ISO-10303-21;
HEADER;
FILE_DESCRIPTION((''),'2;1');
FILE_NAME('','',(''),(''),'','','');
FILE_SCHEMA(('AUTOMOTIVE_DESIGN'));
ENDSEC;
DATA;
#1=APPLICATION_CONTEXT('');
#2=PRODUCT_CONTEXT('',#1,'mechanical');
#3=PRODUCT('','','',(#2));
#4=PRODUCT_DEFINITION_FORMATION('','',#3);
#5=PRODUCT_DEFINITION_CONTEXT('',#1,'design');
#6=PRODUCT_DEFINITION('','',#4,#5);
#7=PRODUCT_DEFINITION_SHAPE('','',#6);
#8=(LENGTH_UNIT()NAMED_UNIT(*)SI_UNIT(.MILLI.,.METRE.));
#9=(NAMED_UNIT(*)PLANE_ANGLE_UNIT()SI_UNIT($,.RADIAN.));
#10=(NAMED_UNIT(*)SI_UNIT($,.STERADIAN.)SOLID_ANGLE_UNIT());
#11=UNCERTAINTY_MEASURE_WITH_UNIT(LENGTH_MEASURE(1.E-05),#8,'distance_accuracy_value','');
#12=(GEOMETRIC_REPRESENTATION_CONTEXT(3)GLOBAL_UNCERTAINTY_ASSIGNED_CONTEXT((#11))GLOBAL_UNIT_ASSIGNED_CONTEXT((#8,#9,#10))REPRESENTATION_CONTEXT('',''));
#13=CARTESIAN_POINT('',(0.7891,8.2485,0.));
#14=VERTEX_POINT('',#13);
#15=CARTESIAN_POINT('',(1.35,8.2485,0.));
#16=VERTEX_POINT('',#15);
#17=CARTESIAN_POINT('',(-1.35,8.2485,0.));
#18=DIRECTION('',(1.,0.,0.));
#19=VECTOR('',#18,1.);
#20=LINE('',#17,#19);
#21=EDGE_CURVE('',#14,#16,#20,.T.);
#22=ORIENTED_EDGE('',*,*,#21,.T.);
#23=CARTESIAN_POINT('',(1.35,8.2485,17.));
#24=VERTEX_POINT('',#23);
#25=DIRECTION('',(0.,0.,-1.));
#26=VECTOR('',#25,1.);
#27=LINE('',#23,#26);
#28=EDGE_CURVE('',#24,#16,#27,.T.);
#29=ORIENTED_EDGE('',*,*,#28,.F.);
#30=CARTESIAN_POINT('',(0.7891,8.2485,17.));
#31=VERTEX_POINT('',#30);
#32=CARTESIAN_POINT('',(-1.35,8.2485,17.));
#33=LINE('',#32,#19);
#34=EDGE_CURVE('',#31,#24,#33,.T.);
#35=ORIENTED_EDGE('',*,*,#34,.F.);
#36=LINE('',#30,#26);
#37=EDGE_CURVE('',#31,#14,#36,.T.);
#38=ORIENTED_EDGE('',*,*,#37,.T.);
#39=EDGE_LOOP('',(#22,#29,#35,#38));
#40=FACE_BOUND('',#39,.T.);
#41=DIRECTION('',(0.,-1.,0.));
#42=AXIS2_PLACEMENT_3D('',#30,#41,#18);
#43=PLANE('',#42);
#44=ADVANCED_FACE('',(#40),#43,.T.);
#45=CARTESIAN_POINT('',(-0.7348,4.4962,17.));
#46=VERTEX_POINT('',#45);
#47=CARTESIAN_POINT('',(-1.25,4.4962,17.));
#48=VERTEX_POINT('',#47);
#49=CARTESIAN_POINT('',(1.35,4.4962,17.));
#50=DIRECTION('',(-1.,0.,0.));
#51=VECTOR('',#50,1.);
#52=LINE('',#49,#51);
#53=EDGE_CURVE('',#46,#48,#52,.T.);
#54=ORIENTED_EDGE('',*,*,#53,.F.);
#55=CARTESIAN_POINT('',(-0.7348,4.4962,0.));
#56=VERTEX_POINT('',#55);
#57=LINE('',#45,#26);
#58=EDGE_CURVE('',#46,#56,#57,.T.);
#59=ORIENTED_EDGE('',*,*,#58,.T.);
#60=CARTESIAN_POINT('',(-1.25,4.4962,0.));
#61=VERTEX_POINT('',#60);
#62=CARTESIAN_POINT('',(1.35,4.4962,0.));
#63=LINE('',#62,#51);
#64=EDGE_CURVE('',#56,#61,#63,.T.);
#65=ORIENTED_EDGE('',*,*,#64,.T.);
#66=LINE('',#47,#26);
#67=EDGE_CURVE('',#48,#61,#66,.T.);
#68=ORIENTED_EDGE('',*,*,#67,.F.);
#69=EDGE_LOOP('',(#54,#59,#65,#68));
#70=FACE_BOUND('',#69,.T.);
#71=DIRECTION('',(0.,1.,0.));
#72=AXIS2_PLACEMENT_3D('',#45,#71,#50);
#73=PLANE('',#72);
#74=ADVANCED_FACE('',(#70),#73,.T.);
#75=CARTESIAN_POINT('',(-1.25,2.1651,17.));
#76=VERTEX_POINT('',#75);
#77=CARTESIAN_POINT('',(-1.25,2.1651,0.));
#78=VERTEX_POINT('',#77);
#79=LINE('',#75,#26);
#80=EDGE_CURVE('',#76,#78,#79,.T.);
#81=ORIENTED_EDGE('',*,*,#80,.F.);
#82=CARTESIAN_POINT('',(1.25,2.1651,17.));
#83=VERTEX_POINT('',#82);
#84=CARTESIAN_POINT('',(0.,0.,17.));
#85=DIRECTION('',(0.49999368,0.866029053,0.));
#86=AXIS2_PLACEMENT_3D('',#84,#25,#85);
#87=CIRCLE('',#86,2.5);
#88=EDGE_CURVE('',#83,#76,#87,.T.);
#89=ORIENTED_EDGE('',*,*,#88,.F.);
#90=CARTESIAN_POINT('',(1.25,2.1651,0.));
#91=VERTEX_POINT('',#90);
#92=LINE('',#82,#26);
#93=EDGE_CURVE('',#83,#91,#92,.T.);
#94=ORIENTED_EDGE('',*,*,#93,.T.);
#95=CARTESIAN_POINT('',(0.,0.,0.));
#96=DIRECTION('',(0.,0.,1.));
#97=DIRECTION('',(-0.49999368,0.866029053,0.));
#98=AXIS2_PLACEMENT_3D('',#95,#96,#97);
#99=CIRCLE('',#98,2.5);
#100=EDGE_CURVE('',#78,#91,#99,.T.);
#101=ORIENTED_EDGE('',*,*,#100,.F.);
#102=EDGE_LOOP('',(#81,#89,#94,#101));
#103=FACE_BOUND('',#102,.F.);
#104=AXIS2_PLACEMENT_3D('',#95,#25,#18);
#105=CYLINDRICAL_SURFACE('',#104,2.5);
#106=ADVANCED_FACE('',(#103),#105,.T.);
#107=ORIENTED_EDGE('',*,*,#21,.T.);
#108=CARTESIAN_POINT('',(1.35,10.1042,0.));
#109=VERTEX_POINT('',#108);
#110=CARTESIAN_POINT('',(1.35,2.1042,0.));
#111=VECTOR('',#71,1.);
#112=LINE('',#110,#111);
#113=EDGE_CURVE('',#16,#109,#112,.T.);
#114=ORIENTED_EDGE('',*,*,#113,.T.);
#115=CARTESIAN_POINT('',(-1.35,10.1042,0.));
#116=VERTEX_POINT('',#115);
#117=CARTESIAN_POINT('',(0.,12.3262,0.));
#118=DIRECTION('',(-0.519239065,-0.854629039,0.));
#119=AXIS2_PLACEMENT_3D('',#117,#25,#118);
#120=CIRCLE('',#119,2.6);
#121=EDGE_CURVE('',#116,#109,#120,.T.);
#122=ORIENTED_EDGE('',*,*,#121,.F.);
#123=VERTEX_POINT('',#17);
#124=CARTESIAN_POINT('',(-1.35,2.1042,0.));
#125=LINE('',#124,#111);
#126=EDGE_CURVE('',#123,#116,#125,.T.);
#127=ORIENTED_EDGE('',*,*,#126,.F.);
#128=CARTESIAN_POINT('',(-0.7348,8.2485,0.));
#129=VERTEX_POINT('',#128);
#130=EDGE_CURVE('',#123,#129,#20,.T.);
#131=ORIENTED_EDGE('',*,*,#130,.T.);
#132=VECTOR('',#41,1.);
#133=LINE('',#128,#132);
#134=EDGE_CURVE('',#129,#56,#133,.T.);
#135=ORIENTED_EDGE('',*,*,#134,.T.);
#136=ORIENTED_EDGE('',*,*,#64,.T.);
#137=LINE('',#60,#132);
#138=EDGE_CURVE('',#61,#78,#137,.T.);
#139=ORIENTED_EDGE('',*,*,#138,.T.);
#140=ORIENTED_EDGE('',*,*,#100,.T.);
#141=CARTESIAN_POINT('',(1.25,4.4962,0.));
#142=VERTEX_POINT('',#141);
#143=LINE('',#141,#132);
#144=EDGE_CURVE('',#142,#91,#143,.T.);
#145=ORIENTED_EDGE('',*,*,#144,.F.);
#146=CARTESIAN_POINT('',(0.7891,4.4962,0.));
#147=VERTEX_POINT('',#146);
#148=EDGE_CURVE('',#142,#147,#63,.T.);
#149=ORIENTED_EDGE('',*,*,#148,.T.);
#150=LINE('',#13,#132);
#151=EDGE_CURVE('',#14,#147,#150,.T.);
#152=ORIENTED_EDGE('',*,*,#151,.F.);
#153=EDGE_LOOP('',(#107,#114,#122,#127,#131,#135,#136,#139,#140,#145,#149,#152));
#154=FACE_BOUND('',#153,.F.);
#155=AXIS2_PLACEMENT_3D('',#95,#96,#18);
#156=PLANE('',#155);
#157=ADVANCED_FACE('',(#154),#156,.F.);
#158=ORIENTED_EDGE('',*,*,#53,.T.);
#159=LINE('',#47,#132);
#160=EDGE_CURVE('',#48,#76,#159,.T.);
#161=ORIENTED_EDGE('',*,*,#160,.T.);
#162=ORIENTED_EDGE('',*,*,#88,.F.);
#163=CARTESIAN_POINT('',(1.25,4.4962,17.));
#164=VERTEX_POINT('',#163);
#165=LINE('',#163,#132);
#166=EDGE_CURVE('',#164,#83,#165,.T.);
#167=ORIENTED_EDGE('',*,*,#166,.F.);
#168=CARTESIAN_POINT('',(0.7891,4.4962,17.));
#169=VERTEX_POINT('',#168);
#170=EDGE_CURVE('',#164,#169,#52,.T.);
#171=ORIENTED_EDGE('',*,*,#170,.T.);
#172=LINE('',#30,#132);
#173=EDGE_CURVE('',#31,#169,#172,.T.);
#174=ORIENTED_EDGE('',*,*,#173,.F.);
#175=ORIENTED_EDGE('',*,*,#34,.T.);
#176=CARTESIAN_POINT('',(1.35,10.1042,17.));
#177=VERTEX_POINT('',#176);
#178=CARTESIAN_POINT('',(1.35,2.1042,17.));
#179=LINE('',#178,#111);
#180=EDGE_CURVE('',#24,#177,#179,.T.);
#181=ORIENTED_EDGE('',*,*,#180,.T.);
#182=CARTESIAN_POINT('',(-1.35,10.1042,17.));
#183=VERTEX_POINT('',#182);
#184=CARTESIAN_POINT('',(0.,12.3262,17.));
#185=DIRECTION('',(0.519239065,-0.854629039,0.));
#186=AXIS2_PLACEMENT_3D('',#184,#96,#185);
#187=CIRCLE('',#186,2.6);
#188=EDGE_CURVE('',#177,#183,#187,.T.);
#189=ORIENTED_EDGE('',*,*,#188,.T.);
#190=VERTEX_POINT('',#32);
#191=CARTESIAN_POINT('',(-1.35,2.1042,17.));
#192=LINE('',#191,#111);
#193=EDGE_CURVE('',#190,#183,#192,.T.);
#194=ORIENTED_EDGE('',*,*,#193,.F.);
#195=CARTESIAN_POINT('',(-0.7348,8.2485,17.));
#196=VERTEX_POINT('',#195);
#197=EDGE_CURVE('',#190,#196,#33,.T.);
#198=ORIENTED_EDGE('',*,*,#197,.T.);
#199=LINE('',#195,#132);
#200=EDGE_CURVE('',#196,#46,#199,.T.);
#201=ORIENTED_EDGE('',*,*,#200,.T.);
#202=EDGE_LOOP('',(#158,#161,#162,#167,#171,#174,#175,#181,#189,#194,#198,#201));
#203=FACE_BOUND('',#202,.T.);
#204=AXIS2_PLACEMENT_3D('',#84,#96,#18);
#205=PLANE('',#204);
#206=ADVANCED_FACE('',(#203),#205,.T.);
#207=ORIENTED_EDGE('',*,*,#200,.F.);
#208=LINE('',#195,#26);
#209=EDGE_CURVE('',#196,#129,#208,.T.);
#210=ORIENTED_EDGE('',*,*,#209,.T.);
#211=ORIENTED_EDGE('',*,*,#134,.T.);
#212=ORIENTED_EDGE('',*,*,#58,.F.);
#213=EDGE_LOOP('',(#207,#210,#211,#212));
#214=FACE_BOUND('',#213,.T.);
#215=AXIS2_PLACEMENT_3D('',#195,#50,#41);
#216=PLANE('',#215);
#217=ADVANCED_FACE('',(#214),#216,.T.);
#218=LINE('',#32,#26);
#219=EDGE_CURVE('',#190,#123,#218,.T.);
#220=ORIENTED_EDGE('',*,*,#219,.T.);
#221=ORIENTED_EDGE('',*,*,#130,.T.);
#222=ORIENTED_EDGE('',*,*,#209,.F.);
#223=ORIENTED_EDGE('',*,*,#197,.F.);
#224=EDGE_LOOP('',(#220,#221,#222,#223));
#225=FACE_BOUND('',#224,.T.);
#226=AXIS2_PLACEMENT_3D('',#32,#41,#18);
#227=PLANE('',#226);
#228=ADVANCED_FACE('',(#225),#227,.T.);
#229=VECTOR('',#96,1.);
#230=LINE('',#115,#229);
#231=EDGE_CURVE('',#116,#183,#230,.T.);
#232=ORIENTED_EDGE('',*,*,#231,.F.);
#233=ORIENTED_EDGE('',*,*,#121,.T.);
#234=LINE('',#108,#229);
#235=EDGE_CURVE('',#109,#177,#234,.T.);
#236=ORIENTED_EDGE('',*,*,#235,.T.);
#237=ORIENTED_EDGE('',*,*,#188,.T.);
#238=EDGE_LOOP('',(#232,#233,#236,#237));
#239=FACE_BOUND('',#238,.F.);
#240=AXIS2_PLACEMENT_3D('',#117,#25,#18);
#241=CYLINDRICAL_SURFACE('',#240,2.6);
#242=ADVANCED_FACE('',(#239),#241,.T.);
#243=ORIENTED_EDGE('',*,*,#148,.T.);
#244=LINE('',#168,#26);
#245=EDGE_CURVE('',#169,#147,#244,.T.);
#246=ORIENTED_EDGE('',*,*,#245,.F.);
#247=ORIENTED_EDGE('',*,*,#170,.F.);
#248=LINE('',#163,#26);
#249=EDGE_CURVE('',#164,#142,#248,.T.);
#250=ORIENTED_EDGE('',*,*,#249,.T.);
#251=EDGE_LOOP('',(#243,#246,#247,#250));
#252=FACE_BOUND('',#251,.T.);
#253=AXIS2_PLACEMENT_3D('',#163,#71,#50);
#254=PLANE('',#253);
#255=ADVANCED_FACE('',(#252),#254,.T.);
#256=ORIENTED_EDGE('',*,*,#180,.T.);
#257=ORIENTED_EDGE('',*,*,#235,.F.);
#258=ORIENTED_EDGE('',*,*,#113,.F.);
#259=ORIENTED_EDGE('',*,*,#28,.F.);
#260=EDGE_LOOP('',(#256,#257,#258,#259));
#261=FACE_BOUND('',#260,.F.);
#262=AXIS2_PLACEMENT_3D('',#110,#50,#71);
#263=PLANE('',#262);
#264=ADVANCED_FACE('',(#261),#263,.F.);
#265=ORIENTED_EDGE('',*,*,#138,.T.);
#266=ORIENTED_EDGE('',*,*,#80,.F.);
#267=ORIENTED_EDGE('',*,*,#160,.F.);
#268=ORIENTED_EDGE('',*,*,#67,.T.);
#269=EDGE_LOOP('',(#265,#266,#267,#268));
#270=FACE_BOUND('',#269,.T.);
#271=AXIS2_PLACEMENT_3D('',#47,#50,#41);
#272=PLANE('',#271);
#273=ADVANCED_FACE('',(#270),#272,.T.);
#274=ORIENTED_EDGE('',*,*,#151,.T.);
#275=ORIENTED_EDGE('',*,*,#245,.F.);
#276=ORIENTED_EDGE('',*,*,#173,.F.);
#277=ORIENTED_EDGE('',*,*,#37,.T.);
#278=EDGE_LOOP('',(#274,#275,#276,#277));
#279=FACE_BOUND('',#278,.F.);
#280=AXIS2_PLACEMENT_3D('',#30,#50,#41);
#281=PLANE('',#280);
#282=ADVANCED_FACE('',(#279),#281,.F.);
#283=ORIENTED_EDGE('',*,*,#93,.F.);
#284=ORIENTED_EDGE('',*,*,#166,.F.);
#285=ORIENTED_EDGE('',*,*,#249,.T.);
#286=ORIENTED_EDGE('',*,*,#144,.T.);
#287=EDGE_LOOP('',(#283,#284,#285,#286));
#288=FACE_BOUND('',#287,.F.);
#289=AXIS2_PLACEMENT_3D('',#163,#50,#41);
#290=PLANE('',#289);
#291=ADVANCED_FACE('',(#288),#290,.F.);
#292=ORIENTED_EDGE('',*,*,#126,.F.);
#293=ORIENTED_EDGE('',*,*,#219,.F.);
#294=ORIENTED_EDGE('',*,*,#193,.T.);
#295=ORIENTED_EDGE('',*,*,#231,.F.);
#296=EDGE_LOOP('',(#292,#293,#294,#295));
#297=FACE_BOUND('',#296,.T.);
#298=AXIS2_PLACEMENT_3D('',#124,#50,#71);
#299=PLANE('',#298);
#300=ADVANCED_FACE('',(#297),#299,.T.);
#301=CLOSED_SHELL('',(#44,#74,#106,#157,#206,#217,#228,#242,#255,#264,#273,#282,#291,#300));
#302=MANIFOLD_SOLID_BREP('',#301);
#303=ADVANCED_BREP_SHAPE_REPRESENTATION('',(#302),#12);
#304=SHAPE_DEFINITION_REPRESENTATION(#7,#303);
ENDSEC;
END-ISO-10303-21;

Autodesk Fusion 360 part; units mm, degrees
sketch "Sketch1" plane through (0, 0, 0) normal (0, 0, 1) x (1, 0, 0)
  circle A0 centre (0, 0) radius 2.5
  line L0 (-1.35, 2.1042) -> (-1.35, 10.1042)
  line L1 (1.35, 2.1042) -> (1.35, 10.1042)
  circle A1 centre (0, 12.3262) radius 2.6
  dimension "d1" = 5
  dimension "d4" = 1.35
  dimension "d5" = 5.2
  dimension "d6" = 8
  dimension "d7" = 8
  dimension "d12" = 2.7
extrude "Extrude1" add sketch "Sketch1" along normal blind 17
sketch "Sketch2" plane through (0, 0, 17) normal (0, 0, 1) x (-1, 0, 0)
  arc A0 (1.35, -2.1042) -> (-1.35, -2.1042) centre (0, 0) ccw
  line L0 (-1.35, -2.1042) -> (-1.35, -10.1042)
  arc A1 (-1.35, -10.1042) -> (1.35, -10.1042) centre (0, -12.3262) ccw
  line L1 (1.35, -10.1042) -> (1.35, -2.1042)
  line L2 (1.35, -8.2485) -> (-1.35, -8.2485)
  line L3 (-1.35, -8.2485) -> (-1.35, -4.4962)
  line L4 (-1.35, -4.4962) -> (1.35, -4.4962)
  line L5 (1.35, -4.4962) -> (1.35, -8.2485)
  line L6 (0.7348, -8.2485) -> (0.7348, -4.4962)
  line L7 (-0.7891, -8.2485) -> (-0.7891, -4.4962)
  arc A2 (1.35, -2.1042) -> (-1.35, -2.1042) centre (0, 0) ccw
  circle A3 centre (0, 0) radius 2.5
  line L8 (1.25, -4.4962) -> (1.25, -2.1651)
  line L9 (-1.25, -4.4962) -> (-1.25, -2.1651)
  line L10 (1.35, -2.1042) -> (1.35, -4.4962)
  line L11 (-1.35, -4.4962) -> (-1.35, -2.1042)
  dimension "d13" = 2.5
  dimension "d14" = 1.25
extrude "Extrude2" cut sketch "Sketch2" against normal blind 17 contours L1 L4 A3 L8 L10 | L1 L2 L4 L5 L6 | L0 L4 A3 L9 L11 | L0 L2 L3 L4 L7
